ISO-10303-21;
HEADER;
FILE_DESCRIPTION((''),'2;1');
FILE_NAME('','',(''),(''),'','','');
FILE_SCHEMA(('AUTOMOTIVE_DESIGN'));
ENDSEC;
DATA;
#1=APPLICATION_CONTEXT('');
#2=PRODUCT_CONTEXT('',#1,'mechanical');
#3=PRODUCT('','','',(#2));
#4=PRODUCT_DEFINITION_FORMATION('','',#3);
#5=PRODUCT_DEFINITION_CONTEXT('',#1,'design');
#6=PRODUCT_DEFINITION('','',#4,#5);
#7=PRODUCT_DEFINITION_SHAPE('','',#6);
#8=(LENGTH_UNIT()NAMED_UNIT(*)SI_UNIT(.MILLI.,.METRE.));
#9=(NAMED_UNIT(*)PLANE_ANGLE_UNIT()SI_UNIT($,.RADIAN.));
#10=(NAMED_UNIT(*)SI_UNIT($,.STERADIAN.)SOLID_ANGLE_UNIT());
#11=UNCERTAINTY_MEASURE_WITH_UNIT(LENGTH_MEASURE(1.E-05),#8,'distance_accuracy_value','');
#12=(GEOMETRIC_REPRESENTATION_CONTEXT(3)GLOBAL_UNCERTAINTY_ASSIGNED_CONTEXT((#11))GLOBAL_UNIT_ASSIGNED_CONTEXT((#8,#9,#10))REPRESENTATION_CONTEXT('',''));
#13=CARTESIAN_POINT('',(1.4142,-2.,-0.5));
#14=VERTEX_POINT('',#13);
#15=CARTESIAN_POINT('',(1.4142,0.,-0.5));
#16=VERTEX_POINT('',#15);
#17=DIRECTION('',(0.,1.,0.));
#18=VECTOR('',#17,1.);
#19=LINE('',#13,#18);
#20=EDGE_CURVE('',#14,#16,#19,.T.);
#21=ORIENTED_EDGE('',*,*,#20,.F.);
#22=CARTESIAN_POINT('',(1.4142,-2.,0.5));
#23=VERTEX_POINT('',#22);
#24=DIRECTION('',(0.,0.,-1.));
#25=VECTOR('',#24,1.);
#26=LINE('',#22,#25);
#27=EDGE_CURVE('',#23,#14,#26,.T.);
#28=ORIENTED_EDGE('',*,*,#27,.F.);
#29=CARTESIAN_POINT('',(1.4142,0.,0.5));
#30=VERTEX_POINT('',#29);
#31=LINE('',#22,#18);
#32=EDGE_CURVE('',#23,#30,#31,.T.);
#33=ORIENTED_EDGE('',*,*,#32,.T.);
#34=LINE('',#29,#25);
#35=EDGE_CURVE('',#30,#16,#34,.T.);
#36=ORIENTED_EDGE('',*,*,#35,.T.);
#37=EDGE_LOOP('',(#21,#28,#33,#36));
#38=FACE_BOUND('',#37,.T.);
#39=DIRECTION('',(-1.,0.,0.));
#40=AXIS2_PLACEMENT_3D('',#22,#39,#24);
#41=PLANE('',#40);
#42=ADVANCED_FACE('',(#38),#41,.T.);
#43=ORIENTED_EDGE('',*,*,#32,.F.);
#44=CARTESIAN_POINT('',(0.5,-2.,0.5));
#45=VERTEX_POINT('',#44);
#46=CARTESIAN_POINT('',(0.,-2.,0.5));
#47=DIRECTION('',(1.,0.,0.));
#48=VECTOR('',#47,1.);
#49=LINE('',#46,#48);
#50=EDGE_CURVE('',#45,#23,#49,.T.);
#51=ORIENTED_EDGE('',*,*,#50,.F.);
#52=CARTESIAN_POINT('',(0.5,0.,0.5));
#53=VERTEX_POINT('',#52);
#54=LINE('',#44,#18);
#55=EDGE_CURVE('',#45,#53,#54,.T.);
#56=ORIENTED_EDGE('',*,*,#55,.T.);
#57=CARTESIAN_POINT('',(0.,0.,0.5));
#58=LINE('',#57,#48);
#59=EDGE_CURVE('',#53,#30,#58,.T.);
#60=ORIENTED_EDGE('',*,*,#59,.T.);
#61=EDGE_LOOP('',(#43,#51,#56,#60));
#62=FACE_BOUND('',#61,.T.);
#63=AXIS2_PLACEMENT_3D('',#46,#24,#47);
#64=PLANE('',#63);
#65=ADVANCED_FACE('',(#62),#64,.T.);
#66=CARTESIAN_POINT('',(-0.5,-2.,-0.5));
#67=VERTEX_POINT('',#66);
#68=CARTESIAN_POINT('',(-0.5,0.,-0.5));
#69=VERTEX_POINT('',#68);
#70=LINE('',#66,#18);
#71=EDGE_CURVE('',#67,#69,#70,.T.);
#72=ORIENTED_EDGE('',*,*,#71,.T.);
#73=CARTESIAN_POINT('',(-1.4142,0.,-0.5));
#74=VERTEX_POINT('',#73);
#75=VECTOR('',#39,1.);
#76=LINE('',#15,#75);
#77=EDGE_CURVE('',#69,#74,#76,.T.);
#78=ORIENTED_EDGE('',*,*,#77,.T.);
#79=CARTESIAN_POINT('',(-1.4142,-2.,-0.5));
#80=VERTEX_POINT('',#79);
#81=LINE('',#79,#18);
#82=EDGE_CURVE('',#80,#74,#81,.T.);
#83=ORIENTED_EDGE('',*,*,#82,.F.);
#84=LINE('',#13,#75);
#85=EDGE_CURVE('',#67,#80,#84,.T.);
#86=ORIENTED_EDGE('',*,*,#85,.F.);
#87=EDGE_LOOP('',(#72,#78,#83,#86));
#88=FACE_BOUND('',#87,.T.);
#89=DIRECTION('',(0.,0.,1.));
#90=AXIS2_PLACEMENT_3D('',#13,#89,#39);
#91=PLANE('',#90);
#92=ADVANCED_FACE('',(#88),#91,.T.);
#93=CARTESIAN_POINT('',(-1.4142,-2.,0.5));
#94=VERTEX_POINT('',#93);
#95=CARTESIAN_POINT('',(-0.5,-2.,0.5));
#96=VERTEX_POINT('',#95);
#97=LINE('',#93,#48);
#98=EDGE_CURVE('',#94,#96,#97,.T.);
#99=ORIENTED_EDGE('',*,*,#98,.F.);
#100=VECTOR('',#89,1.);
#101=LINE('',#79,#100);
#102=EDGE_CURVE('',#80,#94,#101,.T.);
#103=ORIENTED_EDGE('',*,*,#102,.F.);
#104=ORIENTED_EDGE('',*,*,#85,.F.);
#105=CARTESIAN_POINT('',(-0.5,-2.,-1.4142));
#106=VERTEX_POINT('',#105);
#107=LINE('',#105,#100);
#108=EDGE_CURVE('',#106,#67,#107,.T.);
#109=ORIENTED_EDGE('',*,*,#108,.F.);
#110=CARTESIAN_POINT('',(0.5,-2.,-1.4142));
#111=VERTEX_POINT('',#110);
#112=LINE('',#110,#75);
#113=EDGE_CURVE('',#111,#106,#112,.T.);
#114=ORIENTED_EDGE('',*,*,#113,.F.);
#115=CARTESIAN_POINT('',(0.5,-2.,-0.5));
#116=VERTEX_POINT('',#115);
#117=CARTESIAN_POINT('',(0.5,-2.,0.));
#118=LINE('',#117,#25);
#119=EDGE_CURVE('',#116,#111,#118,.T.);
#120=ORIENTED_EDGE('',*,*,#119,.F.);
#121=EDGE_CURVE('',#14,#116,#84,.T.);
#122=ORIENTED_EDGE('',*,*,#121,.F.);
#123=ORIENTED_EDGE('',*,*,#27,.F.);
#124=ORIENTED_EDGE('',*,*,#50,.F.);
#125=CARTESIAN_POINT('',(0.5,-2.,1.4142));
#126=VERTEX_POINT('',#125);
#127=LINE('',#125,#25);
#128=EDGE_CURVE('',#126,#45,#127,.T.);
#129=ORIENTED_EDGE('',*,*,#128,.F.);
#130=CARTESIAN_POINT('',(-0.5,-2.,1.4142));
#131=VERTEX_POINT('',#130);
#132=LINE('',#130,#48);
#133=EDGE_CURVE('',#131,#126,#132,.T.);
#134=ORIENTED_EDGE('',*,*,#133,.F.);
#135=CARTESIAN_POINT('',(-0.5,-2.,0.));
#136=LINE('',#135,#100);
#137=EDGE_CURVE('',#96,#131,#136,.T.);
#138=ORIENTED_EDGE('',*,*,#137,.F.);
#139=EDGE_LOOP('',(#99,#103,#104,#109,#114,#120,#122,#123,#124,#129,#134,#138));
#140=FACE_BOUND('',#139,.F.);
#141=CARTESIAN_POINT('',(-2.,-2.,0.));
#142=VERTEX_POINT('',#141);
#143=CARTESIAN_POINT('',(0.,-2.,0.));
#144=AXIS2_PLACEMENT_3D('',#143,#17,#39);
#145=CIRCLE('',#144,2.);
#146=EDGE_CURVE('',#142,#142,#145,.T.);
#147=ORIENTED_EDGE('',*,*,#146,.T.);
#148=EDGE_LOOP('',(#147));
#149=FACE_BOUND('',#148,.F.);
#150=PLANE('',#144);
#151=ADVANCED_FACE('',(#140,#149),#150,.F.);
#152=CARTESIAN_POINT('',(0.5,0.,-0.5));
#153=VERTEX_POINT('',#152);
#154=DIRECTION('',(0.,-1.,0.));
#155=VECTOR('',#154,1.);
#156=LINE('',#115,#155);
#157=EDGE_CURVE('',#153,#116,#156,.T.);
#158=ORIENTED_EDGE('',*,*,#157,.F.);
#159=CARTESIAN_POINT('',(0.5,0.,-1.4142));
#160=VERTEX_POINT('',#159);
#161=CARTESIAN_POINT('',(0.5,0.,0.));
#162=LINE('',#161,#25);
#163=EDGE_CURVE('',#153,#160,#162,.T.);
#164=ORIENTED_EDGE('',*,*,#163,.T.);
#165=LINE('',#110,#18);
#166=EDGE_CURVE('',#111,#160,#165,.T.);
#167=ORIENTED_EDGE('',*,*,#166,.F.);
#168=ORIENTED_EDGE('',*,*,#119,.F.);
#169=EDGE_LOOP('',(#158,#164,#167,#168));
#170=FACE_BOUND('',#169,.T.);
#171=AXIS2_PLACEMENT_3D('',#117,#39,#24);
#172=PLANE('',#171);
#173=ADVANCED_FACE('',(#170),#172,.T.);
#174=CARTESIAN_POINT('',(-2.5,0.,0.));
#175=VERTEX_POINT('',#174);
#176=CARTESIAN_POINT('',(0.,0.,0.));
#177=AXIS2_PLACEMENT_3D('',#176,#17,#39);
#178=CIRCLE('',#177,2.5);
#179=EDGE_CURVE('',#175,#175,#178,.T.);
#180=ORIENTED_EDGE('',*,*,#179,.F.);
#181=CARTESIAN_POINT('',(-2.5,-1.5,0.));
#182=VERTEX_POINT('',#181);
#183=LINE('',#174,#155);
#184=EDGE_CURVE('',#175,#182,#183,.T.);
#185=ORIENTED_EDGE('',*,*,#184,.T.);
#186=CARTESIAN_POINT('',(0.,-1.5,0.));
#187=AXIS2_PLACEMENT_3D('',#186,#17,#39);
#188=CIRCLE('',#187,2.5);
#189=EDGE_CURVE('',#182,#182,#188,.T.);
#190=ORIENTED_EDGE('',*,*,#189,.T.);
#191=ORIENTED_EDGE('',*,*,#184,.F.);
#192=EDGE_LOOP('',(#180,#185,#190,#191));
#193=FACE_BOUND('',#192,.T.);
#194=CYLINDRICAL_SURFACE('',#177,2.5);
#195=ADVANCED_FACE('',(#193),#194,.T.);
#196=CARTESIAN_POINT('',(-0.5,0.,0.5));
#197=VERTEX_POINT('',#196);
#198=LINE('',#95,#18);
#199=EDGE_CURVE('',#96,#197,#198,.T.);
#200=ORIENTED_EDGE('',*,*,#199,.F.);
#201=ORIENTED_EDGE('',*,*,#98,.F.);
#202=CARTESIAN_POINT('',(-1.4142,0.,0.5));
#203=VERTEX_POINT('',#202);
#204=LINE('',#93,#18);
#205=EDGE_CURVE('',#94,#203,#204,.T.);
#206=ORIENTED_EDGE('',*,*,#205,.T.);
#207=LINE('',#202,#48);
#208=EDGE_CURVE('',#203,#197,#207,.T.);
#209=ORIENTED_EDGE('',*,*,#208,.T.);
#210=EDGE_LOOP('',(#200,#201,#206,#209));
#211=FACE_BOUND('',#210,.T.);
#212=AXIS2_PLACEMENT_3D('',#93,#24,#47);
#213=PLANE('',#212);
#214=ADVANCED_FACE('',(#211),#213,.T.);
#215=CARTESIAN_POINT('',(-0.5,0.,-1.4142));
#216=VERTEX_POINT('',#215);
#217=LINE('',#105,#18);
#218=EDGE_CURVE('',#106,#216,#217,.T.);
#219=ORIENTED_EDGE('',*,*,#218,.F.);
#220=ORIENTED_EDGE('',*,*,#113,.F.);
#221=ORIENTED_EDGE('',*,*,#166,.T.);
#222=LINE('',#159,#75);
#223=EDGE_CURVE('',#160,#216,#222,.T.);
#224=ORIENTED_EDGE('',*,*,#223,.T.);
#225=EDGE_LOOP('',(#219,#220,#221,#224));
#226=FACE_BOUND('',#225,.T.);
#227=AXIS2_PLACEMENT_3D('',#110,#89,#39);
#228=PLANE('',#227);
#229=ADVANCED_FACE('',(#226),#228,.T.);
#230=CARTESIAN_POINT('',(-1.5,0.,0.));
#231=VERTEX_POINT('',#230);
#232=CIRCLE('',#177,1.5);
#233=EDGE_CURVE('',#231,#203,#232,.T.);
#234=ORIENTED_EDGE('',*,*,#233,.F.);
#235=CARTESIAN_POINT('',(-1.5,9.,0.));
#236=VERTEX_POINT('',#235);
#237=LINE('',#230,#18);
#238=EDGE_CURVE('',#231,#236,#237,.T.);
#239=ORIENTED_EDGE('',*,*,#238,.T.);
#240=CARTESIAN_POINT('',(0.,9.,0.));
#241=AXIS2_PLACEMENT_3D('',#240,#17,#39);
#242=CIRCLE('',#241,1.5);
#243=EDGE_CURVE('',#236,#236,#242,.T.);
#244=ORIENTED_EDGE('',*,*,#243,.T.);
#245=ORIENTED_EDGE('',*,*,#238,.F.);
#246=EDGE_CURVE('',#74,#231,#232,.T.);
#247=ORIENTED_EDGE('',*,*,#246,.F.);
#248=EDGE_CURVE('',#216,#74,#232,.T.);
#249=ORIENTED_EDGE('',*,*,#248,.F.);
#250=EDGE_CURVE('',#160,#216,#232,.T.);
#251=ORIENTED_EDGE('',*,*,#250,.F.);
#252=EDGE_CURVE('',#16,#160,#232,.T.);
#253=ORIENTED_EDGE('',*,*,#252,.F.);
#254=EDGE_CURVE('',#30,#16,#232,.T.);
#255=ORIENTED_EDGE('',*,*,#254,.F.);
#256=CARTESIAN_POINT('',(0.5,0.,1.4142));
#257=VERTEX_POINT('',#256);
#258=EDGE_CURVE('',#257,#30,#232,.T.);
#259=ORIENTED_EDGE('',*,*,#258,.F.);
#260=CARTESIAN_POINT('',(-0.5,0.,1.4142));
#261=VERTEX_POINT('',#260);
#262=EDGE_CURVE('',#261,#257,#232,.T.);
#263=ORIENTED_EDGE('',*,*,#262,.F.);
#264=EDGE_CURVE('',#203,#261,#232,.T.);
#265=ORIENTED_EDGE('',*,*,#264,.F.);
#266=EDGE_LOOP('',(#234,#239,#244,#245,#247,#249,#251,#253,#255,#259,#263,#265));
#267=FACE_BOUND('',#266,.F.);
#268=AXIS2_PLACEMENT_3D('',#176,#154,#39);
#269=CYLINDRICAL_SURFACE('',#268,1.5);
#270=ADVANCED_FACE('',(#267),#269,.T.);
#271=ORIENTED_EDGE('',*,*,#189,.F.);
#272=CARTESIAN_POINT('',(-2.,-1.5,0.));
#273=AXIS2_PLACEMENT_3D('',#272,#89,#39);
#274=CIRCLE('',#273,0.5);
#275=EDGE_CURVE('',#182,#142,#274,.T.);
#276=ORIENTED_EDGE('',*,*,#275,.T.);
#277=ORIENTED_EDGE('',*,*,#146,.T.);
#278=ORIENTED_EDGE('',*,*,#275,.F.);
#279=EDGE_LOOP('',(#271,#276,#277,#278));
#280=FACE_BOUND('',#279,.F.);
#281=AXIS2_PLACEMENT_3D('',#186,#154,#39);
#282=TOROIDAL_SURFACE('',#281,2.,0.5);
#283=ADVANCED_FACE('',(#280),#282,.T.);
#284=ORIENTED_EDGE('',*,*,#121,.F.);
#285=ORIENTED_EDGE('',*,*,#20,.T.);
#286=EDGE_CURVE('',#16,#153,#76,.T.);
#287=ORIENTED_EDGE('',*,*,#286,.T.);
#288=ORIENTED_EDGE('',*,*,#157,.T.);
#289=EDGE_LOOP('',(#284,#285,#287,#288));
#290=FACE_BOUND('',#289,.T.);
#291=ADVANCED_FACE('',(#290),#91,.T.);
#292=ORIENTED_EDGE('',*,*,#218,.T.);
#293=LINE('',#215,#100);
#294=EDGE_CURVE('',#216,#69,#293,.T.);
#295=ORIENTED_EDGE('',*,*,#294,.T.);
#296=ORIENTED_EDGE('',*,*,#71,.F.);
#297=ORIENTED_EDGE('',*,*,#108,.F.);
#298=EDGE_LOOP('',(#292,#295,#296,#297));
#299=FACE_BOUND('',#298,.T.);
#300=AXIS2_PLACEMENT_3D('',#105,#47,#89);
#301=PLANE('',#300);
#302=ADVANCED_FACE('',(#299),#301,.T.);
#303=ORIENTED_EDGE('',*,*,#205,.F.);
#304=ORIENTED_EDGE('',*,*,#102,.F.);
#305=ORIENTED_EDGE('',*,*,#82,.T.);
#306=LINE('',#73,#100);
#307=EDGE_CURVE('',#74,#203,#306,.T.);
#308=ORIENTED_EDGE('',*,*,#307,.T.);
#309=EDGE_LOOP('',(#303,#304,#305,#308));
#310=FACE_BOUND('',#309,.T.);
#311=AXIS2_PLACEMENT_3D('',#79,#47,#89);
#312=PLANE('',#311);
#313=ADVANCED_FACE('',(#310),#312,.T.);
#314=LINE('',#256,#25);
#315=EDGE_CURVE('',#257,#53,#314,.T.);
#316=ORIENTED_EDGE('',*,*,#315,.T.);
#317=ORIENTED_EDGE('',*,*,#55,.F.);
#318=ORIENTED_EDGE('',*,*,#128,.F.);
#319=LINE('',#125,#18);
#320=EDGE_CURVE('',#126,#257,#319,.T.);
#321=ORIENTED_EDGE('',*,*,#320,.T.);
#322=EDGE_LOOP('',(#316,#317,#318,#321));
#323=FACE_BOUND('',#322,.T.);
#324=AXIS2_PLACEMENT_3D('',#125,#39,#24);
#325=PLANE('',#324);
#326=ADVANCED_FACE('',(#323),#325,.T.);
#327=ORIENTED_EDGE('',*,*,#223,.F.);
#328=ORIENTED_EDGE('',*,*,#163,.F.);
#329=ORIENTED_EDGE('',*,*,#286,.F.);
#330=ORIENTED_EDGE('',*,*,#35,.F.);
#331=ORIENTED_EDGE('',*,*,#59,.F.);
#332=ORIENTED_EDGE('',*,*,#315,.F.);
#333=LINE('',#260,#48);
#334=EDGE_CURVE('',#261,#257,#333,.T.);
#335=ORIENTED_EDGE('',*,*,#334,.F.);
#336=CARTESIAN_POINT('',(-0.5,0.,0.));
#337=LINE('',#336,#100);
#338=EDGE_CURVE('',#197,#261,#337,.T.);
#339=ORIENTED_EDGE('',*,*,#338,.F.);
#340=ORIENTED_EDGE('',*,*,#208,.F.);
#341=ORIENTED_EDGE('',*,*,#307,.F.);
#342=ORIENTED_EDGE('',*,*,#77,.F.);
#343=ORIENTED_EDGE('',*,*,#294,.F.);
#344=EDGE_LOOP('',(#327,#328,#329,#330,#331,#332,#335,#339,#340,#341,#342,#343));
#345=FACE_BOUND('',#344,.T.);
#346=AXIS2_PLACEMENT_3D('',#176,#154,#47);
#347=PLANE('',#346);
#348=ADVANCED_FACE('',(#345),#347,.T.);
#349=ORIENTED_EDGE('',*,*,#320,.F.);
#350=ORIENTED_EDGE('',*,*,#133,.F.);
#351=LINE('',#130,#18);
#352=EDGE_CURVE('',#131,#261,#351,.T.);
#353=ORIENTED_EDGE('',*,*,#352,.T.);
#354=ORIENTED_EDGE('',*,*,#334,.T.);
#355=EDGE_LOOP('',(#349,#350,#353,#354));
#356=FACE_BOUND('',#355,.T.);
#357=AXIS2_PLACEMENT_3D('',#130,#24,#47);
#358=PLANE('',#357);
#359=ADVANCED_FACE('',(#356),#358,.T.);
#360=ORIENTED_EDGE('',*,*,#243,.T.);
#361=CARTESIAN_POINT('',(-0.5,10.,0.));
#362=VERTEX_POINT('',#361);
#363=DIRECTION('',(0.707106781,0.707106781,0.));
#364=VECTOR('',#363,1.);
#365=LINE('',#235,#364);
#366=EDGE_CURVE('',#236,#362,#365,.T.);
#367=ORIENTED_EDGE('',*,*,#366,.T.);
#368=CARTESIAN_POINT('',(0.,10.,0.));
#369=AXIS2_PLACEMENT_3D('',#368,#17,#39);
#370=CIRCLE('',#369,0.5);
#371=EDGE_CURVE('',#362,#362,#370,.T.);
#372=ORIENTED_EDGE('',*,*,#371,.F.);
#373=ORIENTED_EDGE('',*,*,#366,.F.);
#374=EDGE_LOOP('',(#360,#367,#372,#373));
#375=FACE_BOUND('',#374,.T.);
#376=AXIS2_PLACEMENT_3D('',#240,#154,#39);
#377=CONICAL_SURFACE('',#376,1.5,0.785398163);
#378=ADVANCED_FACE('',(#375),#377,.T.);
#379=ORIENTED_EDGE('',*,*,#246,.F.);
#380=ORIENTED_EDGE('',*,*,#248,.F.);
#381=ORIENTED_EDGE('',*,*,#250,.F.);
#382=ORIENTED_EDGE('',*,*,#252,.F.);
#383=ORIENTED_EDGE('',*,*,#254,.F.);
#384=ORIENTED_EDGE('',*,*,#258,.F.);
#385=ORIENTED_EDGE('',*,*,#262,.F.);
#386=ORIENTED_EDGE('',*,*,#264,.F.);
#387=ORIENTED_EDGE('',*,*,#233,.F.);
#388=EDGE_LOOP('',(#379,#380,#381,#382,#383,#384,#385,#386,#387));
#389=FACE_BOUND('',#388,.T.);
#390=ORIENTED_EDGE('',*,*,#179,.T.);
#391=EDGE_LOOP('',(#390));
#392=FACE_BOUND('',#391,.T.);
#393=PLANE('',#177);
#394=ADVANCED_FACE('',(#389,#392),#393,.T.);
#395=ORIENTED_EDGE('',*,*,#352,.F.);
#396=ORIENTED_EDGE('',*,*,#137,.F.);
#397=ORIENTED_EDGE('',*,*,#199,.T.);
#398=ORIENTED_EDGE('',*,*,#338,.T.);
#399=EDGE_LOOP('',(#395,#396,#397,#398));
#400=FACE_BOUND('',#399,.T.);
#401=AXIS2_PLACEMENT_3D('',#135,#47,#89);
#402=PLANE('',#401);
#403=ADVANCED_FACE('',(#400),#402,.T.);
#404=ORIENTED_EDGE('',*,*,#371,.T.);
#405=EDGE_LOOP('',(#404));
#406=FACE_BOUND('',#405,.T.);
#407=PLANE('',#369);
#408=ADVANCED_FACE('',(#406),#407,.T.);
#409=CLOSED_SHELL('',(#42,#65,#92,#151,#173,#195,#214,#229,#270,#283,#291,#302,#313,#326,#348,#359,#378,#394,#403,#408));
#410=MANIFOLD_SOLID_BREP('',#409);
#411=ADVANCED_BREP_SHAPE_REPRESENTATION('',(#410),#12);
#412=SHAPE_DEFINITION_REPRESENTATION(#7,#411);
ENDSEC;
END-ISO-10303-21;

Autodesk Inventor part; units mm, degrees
ref_plane "YZ Plane" through (0, 0, 0) normal (1, 0, 0) x (0, 1, 0)
ref_plane "XZ Plane" through (0, 0, 0) normal (0, 1, 0) x (-1, 0, 0)
ref_plane "XY Plane" through (0, 0, 0) normal (0, 0, 1) x (1, 0, 0)
sketch "Sketch1" plane through (0, 0, 0) normal (0, 1, 0) x (-1, 0, 0)
  circle A0 centre (0, 0) radius 1.5
  circle A1 centre (0, 0) radius 2.5
  dimension "d0" = 3
  dimension "d1" = 5
extrude "Extrusion1" add sketch "Sketch1" along normal blind 10 contours A0
extrude "Extrusion2" add sketch "Sketch1" against normal blind 2 contours A0 | A1
fillet "Fillet1" radius 0.5 1 edges at (2.5, -2, 0)
sketch "Sketch2" plane through (0, -2, 0) normal (0, -1, 0) x (1, 0, 0)
  circle A0 centre (0, 0) radius 1.5 projected
  line L0 (0, 0.5) -> (1.4142, 0.5)
  line L1 (1.4142, 0.5) -> (1.4142, -0.5)
  line L2 (1.4142, -0.5) -> (0, -0.5)
  line L3 (0, -0.5) -> (0, 0.5)
  dimension "d7" = 1
  dimension "d8" = 0.5
extrude "Extrusion3" cut sketch "Sketch2" against normal blind 2 contours L1 L2 L3 L0
pattern_circular "Circular Pattern1" count 4 over 360 about axis through (0, 0, 0) along (0, -1, 0) of "Extrusion3"
thread "Thread1" size "M3x0.5" class "6g" standard "ANSI Metric M Profile" full length
chamfer "Chamfer1" distance 1 angle 45 1 edges at (1.5, 10, 0)
equation "\"d8\" = 0.5 * d7"
properties part number "KisLemezcsavar"
